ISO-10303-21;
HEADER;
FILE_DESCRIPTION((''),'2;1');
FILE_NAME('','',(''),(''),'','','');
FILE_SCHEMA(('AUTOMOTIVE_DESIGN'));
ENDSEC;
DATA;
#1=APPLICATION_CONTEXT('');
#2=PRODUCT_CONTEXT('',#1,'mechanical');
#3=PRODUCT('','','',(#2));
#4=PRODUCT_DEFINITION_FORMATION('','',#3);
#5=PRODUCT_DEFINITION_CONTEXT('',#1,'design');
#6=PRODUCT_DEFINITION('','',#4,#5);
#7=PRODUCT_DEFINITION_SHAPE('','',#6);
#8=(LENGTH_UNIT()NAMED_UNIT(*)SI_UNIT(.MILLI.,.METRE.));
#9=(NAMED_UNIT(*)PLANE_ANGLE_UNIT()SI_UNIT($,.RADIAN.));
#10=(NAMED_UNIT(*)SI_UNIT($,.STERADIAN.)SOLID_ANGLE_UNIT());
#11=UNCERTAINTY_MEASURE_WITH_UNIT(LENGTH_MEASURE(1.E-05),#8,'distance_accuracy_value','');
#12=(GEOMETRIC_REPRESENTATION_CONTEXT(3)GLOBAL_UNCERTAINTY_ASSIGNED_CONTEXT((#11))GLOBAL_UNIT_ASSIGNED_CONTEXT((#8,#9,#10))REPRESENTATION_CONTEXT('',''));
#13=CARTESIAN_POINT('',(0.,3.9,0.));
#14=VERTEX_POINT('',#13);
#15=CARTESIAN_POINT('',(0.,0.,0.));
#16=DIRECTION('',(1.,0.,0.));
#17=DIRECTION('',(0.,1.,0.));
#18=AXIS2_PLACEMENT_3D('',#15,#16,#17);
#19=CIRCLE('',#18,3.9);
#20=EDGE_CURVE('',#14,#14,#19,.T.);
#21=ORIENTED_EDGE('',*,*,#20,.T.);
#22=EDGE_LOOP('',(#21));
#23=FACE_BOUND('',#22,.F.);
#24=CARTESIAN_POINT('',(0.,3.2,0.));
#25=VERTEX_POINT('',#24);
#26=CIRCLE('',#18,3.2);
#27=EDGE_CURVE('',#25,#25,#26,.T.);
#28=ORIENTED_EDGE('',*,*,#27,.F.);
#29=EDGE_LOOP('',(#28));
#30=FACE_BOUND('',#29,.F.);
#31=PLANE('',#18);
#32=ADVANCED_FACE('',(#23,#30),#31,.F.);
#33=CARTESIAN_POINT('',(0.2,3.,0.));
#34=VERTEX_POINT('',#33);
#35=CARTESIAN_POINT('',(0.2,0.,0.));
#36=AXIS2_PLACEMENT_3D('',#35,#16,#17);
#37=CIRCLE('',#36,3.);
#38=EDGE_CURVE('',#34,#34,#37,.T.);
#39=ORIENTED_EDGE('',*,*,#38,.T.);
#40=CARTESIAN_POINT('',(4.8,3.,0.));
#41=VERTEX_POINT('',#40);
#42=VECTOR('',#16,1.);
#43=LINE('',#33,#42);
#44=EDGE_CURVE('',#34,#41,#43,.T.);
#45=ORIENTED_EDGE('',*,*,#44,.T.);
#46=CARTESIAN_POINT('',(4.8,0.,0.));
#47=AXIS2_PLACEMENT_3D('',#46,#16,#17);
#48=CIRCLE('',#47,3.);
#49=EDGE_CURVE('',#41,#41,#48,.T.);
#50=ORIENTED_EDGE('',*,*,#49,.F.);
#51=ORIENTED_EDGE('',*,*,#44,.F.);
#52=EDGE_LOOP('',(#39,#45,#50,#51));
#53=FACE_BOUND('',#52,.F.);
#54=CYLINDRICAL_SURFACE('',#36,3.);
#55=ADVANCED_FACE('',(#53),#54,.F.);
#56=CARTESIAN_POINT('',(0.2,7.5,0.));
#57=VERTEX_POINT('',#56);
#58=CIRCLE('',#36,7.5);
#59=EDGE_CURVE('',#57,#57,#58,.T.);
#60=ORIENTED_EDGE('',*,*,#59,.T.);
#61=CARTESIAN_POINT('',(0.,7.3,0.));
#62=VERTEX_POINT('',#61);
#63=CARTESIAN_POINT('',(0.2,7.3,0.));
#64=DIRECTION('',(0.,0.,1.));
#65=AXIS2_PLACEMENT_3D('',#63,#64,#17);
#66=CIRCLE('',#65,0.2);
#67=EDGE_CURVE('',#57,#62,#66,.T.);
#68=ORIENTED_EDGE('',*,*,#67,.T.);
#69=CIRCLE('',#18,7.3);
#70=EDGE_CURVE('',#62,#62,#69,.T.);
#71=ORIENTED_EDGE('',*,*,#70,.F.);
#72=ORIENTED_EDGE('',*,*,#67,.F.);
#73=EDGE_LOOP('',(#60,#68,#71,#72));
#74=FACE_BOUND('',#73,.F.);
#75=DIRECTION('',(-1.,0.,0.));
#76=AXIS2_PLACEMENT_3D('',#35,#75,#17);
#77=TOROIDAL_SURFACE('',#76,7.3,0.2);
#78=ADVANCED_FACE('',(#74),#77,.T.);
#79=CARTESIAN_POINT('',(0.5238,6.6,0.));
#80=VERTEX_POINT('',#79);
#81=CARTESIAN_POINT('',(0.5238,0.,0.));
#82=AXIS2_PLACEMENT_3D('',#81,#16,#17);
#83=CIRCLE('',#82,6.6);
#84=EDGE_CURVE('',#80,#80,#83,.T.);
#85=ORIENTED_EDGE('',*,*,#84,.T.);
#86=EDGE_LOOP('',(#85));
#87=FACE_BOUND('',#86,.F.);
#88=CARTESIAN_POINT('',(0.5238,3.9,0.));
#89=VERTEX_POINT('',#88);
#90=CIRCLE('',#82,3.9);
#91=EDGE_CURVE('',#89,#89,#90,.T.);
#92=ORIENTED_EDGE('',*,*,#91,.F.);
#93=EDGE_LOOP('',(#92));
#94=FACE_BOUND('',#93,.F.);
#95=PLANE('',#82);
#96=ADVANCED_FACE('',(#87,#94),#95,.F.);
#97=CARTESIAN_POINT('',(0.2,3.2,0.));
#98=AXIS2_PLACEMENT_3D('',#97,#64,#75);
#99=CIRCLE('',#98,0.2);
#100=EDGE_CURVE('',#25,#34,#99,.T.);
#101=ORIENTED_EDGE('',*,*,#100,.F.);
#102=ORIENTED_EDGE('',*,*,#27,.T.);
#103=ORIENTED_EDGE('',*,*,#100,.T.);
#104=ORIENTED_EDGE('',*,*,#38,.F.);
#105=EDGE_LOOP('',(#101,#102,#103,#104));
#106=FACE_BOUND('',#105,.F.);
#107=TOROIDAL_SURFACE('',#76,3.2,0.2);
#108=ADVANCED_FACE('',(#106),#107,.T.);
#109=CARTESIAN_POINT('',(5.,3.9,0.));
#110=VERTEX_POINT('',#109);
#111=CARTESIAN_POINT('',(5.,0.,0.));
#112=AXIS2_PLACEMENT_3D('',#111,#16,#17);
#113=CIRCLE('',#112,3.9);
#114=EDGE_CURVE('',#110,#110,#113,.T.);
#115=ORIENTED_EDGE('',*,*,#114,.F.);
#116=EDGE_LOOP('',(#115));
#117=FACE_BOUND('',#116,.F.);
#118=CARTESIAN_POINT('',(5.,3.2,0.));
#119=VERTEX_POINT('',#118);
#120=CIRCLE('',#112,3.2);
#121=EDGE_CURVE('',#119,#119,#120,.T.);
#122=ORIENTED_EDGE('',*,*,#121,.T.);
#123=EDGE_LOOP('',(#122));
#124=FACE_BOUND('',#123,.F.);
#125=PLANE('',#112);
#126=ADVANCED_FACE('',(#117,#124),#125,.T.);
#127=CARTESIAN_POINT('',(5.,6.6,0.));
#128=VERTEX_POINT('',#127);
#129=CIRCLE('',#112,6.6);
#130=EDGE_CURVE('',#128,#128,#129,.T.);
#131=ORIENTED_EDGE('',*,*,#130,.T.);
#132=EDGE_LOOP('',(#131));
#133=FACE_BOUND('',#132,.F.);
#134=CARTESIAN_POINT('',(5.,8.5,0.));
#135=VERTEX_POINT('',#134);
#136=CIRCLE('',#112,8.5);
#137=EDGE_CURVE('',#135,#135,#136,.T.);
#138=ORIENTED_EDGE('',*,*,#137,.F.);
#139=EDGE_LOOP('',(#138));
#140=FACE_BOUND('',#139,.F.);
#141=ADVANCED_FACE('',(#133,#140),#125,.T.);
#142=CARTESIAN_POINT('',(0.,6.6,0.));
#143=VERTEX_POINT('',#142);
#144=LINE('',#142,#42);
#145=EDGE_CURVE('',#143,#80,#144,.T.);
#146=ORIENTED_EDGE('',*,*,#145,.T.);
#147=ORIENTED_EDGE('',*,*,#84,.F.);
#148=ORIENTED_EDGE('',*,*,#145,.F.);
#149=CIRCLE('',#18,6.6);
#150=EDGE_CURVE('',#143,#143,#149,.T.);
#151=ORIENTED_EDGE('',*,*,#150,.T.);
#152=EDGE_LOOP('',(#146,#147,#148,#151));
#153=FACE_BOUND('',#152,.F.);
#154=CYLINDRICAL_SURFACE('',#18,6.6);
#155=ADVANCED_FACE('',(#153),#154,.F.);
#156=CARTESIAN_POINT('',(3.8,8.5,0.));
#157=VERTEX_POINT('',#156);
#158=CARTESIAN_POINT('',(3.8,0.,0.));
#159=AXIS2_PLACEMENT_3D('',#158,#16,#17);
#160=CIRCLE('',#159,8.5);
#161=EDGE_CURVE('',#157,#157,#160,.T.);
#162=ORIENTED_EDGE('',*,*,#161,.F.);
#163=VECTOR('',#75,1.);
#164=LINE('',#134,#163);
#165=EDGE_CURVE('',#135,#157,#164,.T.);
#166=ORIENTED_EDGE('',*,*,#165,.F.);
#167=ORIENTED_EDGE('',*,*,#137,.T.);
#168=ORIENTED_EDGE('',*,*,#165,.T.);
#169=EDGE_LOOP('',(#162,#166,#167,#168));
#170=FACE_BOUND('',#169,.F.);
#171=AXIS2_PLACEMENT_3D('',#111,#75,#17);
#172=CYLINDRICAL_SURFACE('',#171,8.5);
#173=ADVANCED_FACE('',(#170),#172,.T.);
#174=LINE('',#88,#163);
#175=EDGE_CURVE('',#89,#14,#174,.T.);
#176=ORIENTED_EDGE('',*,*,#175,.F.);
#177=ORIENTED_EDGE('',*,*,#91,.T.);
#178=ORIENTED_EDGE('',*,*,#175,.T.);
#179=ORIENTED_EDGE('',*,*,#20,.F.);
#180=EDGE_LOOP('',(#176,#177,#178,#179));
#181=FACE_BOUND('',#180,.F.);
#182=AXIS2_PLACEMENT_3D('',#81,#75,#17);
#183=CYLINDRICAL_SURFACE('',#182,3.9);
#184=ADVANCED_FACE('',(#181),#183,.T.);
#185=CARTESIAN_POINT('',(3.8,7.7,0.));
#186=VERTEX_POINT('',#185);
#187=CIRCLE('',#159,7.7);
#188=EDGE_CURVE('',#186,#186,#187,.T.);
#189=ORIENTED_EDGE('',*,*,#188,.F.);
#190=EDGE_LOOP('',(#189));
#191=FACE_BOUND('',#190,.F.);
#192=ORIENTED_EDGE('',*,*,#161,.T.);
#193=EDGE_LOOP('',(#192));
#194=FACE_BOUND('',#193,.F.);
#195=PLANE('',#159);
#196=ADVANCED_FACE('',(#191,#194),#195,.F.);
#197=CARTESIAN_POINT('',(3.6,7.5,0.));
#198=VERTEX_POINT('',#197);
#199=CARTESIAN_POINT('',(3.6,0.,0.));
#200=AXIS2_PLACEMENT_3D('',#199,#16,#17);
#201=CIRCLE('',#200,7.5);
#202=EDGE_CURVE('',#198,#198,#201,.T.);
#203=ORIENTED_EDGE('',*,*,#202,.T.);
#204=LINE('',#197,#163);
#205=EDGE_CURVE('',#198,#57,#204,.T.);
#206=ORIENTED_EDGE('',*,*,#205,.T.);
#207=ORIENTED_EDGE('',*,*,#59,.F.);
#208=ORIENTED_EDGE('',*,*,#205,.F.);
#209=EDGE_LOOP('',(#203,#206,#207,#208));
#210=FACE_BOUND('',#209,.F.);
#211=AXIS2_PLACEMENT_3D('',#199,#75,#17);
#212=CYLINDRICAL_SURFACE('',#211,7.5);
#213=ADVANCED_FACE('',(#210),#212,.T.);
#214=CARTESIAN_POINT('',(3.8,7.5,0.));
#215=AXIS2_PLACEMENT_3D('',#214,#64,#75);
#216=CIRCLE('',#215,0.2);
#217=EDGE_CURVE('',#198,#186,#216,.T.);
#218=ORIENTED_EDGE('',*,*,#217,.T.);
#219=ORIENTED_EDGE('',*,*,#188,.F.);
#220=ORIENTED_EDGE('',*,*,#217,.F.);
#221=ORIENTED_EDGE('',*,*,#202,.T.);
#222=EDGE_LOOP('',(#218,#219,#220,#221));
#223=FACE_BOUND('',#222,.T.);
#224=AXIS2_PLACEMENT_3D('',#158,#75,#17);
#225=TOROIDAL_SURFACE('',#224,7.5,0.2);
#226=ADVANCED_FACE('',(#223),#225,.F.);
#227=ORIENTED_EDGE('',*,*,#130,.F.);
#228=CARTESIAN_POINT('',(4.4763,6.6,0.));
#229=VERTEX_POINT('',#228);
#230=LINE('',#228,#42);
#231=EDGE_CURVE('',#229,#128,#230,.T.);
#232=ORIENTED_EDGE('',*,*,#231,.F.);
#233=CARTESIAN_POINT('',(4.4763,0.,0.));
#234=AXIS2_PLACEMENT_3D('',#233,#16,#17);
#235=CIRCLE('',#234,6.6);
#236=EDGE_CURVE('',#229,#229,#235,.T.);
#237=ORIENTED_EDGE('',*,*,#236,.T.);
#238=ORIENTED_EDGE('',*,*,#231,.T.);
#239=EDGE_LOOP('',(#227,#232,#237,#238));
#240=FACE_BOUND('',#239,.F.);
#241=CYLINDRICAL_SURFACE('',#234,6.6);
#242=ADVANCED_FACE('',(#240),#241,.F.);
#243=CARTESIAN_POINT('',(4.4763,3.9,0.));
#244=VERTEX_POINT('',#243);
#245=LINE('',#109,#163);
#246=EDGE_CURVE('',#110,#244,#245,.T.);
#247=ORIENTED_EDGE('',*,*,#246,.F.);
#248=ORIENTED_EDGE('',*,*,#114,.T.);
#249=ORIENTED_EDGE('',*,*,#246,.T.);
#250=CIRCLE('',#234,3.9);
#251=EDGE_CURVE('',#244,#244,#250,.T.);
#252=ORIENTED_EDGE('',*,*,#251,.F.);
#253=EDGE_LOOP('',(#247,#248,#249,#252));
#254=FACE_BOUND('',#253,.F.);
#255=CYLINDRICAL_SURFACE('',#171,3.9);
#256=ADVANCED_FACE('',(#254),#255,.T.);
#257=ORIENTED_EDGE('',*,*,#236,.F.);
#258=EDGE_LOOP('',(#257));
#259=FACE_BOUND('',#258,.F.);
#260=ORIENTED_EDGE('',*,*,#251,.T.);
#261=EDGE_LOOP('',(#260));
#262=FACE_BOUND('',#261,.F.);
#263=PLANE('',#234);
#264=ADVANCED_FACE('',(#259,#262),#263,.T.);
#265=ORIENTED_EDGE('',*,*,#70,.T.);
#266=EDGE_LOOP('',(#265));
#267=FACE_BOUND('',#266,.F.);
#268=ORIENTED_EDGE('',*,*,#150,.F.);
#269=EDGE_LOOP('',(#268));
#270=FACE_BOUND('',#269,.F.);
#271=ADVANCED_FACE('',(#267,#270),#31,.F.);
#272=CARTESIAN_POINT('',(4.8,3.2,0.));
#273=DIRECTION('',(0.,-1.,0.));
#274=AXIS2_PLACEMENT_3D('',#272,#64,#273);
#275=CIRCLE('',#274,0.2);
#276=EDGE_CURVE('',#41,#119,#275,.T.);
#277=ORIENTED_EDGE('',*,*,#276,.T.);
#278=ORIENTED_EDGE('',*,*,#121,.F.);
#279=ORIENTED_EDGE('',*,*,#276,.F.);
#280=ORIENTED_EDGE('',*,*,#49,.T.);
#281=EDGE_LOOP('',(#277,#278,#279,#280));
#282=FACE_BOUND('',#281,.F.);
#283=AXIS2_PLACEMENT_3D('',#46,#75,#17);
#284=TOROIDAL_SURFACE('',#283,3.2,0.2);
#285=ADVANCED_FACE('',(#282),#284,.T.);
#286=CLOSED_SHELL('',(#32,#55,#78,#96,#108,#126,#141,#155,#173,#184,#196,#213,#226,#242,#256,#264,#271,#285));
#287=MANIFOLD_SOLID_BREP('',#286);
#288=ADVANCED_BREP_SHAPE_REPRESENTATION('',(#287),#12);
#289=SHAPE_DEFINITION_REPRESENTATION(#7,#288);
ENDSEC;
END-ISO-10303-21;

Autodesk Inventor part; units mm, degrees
sketch "Sketch_1" plane through (0, 0, 0) normal (0, 0, 1) x (1, 0, 0)
  line L0 (15, 0) -> (-15, 0)
  arc A0 (0, 3.2) -> (0.2, 3) centre (0.2, 3.2) ccw
  line L1 (0.2, 3) -> (4.8, 3)
  arc A1 (4.8, 3) -> (5, 3.2) centre (4.8, 3.2) ccw
  line L2 (5, 3.2) -> (5, 3.9)
  line L3 (5, 3.9) -> (4.4763, 3.9)
  line L4 (4.4763, 3.9) -> (4.4763, 6.6)
  line L5 (4.4763, 6.6) -> (5, 6.6)
  line L6 (5, 6.6) -> (5, 8.5)
  line L7 (5, 8.5) -> (3.8, 8.5)
  line L8 (3.8, 8.5) -> (3.8, 7.7)
  arc A2 (3.6, 7.5) -> (3.8, 7.7) centre (3.8, 7.5) ccw
  line L9 (3.6, 7.5) -> (0.2, 7.5)
  arc A3 (0.2, 7.5) -> (0, 7.3) centre (0.2, 7.3) ccw
  line L10 (0, 7.3) -> (0, 6.6)
  line L11 (0, 6.6) -> (0.5238, 6.6)
  line L12 (0.5238, 6.6) -> (0.5238, 3.9)
  line L13 (0.5238, 3.9) -> (0, 3.9)
  line L14 (0, 3.9) -> (0, 3.2)
revolve "Revolution1" add sketch "Sketch_1" angle 360 about axis through (15, 0, 0) along (1, 0, 0)
ref_plane "to_housing_XY" through (0, 0, 0) normal (1, 0, 0) x (0, 0, -1)
ref_plane "to_housing_YZ" through (0, 0, 0) normal (0, 0, -1) x (0, 1, 0)
ref_plane "to_housing_ZX" through (0, 0, 0) normal (0, 1, 0) x (1, 0, 0)
properties part number "FL696ZZ_CPY2"
